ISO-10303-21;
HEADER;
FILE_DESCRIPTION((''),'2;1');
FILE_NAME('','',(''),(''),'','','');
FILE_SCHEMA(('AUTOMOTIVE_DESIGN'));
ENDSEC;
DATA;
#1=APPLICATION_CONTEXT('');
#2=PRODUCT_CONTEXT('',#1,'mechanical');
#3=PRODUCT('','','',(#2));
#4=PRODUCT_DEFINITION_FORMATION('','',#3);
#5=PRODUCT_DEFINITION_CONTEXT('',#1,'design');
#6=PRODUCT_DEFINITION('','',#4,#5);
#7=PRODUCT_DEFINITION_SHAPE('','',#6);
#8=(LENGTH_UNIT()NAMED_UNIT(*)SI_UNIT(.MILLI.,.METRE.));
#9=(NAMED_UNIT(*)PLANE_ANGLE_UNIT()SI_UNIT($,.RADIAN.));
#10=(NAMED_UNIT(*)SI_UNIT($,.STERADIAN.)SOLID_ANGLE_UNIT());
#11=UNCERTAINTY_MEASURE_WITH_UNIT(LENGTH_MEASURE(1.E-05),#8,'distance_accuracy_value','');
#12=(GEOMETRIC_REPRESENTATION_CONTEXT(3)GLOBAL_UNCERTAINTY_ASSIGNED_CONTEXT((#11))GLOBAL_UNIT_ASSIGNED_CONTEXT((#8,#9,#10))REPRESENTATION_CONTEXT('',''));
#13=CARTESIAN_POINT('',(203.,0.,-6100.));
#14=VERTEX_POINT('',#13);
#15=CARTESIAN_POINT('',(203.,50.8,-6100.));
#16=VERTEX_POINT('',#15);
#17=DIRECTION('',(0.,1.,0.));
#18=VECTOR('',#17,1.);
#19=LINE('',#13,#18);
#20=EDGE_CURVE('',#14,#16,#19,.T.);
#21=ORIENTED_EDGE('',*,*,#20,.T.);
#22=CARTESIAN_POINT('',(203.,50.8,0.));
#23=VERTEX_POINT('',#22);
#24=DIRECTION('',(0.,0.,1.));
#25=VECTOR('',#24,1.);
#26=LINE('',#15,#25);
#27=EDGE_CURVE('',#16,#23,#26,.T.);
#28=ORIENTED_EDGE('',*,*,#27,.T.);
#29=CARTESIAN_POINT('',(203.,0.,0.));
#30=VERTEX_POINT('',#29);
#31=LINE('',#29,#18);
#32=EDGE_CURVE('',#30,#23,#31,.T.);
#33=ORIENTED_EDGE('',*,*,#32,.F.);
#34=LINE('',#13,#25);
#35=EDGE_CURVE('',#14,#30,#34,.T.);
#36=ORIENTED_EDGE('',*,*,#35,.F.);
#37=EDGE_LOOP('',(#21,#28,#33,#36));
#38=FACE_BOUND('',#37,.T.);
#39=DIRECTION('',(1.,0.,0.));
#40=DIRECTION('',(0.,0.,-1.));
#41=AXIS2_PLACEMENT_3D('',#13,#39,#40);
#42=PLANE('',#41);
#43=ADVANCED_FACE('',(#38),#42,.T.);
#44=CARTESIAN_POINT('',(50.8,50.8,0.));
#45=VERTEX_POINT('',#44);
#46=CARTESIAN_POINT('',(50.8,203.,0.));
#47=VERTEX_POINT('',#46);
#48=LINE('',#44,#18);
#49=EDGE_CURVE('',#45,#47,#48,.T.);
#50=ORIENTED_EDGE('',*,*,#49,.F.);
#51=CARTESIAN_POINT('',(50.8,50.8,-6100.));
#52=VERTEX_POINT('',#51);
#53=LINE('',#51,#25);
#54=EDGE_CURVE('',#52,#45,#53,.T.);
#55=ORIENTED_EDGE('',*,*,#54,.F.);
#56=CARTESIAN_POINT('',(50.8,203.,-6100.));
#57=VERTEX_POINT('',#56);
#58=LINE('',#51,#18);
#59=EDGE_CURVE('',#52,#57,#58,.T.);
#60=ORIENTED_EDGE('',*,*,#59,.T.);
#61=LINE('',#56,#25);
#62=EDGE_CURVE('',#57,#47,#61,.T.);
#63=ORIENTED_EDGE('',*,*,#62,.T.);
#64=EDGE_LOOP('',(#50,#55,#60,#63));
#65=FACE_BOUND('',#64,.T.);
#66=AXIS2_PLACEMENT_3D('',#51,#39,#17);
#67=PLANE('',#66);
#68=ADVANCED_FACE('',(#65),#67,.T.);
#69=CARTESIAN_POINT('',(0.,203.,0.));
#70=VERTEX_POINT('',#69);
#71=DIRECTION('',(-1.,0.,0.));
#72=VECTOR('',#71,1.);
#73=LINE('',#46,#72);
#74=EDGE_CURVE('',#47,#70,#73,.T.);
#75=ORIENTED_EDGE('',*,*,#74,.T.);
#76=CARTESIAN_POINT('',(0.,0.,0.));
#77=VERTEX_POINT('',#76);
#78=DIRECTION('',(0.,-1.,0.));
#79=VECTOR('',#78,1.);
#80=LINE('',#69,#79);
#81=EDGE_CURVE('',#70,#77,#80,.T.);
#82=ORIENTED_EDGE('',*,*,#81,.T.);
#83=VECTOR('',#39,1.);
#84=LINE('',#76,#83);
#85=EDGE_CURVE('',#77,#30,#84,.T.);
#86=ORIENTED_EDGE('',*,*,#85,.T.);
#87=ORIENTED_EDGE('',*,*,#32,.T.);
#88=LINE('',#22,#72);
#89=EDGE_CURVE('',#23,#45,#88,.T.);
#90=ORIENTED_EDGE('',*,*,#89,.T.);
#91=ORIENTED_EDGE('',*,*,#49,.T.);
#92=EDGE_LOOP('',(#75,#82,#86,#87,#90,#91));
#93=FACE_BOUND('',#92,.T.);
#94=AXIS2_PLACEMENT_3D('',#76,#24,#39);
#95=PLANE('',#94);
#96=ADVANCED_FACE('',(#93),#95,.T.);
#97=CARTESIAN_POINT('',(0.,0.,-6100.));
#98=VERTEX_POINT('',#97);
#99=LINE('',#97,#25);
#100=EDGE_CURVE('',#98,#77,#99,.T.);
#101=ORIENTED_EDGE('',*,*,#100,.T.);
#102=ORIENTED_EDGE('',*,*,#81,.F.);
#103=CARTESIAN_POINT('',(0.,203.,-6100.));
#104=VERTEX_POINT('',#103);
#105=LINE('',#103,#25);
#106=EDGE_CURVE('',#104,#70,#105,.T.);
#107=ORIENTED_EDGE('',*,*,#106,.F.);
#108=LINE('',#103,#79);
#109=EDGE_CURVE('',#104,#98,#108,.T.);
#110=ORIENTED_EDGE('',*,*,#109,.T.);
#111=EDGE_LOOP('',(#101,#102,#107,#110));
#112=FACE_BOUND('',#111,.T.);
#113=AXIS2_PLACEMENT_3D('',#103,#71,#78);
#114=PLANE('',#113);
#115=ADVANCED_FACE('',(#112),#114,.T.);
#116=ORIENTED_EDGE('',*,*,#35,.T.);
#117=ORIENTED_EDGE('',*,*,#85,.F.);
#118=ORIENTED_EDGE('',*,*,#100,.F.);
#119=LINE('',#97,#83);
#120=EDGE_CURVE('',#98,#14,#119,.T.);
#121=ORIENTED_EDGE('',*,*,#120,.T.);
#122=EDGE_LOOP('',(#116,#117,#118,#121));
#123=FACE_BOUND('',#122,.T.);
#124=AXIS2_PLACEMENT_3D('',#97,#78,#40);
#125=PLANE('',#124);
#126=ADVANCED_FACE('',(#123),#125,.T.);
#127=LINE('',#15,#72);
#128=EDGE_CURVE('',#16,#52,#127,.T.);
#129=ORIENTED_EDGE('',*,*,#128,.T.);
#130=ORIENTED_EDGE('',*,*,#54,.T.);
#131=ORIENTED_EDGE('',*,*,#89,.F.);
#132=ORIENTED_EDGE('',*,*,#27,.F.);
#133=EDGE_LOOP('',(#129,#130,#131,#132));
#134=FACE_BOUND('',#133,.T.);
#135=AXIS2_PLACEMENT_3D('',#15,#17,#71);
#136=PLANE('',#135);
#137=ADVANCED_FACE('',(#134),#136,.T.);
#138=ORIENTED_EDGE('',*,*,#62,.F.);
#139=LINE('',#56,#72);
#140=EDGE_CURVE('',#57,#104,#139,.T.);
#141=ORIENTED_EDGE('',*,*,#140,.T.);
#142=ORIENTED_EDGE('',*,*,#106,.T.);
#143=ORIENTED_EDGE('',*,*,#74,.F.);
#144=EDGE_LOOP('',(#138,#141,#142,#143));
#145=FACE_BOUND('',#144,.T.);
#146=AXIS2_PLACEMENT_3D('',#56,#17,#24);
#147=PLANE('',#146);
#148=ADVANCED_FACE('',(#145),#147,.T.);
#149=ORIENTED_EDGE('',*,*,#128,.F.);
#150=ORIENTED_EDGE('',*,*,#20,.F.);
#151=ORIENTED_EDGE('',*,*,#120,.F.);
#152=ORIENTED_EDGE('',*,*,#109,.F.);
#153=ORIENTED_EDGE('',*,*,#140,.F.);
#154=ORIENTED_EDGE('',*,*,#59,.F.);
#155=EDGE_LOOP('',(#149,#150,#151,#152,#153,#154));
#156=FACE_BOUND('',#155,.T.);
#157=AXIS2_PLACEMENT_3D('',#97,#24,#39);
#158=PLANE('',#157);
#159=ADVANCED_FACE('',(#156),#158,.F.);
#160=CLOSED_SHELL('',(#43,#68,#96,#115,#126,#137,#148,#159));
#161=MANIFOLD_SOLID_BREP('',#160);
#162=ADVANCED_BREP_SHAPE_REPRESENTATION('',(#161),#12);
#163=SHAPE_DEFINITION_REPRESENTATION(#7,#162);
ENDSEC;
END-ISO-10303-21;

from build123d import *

# Parameters (mm, degrees)
SALIENTE_EXTRUIR1_DEPTH = 6100


with BuildPart() as part:
    # Croquis1 → Saliente-Extruir1 (new body)
    with BuildSketch(Plane.XY):
        Polygon((0, 203), (0, 0), (203, 0), (203, 50.8), (50.8, 50.8), (50.8, 203), align=None)
    extrude(amount=-SALIENTE_EXTRUIR1_DEPTH)


solid = part.part
